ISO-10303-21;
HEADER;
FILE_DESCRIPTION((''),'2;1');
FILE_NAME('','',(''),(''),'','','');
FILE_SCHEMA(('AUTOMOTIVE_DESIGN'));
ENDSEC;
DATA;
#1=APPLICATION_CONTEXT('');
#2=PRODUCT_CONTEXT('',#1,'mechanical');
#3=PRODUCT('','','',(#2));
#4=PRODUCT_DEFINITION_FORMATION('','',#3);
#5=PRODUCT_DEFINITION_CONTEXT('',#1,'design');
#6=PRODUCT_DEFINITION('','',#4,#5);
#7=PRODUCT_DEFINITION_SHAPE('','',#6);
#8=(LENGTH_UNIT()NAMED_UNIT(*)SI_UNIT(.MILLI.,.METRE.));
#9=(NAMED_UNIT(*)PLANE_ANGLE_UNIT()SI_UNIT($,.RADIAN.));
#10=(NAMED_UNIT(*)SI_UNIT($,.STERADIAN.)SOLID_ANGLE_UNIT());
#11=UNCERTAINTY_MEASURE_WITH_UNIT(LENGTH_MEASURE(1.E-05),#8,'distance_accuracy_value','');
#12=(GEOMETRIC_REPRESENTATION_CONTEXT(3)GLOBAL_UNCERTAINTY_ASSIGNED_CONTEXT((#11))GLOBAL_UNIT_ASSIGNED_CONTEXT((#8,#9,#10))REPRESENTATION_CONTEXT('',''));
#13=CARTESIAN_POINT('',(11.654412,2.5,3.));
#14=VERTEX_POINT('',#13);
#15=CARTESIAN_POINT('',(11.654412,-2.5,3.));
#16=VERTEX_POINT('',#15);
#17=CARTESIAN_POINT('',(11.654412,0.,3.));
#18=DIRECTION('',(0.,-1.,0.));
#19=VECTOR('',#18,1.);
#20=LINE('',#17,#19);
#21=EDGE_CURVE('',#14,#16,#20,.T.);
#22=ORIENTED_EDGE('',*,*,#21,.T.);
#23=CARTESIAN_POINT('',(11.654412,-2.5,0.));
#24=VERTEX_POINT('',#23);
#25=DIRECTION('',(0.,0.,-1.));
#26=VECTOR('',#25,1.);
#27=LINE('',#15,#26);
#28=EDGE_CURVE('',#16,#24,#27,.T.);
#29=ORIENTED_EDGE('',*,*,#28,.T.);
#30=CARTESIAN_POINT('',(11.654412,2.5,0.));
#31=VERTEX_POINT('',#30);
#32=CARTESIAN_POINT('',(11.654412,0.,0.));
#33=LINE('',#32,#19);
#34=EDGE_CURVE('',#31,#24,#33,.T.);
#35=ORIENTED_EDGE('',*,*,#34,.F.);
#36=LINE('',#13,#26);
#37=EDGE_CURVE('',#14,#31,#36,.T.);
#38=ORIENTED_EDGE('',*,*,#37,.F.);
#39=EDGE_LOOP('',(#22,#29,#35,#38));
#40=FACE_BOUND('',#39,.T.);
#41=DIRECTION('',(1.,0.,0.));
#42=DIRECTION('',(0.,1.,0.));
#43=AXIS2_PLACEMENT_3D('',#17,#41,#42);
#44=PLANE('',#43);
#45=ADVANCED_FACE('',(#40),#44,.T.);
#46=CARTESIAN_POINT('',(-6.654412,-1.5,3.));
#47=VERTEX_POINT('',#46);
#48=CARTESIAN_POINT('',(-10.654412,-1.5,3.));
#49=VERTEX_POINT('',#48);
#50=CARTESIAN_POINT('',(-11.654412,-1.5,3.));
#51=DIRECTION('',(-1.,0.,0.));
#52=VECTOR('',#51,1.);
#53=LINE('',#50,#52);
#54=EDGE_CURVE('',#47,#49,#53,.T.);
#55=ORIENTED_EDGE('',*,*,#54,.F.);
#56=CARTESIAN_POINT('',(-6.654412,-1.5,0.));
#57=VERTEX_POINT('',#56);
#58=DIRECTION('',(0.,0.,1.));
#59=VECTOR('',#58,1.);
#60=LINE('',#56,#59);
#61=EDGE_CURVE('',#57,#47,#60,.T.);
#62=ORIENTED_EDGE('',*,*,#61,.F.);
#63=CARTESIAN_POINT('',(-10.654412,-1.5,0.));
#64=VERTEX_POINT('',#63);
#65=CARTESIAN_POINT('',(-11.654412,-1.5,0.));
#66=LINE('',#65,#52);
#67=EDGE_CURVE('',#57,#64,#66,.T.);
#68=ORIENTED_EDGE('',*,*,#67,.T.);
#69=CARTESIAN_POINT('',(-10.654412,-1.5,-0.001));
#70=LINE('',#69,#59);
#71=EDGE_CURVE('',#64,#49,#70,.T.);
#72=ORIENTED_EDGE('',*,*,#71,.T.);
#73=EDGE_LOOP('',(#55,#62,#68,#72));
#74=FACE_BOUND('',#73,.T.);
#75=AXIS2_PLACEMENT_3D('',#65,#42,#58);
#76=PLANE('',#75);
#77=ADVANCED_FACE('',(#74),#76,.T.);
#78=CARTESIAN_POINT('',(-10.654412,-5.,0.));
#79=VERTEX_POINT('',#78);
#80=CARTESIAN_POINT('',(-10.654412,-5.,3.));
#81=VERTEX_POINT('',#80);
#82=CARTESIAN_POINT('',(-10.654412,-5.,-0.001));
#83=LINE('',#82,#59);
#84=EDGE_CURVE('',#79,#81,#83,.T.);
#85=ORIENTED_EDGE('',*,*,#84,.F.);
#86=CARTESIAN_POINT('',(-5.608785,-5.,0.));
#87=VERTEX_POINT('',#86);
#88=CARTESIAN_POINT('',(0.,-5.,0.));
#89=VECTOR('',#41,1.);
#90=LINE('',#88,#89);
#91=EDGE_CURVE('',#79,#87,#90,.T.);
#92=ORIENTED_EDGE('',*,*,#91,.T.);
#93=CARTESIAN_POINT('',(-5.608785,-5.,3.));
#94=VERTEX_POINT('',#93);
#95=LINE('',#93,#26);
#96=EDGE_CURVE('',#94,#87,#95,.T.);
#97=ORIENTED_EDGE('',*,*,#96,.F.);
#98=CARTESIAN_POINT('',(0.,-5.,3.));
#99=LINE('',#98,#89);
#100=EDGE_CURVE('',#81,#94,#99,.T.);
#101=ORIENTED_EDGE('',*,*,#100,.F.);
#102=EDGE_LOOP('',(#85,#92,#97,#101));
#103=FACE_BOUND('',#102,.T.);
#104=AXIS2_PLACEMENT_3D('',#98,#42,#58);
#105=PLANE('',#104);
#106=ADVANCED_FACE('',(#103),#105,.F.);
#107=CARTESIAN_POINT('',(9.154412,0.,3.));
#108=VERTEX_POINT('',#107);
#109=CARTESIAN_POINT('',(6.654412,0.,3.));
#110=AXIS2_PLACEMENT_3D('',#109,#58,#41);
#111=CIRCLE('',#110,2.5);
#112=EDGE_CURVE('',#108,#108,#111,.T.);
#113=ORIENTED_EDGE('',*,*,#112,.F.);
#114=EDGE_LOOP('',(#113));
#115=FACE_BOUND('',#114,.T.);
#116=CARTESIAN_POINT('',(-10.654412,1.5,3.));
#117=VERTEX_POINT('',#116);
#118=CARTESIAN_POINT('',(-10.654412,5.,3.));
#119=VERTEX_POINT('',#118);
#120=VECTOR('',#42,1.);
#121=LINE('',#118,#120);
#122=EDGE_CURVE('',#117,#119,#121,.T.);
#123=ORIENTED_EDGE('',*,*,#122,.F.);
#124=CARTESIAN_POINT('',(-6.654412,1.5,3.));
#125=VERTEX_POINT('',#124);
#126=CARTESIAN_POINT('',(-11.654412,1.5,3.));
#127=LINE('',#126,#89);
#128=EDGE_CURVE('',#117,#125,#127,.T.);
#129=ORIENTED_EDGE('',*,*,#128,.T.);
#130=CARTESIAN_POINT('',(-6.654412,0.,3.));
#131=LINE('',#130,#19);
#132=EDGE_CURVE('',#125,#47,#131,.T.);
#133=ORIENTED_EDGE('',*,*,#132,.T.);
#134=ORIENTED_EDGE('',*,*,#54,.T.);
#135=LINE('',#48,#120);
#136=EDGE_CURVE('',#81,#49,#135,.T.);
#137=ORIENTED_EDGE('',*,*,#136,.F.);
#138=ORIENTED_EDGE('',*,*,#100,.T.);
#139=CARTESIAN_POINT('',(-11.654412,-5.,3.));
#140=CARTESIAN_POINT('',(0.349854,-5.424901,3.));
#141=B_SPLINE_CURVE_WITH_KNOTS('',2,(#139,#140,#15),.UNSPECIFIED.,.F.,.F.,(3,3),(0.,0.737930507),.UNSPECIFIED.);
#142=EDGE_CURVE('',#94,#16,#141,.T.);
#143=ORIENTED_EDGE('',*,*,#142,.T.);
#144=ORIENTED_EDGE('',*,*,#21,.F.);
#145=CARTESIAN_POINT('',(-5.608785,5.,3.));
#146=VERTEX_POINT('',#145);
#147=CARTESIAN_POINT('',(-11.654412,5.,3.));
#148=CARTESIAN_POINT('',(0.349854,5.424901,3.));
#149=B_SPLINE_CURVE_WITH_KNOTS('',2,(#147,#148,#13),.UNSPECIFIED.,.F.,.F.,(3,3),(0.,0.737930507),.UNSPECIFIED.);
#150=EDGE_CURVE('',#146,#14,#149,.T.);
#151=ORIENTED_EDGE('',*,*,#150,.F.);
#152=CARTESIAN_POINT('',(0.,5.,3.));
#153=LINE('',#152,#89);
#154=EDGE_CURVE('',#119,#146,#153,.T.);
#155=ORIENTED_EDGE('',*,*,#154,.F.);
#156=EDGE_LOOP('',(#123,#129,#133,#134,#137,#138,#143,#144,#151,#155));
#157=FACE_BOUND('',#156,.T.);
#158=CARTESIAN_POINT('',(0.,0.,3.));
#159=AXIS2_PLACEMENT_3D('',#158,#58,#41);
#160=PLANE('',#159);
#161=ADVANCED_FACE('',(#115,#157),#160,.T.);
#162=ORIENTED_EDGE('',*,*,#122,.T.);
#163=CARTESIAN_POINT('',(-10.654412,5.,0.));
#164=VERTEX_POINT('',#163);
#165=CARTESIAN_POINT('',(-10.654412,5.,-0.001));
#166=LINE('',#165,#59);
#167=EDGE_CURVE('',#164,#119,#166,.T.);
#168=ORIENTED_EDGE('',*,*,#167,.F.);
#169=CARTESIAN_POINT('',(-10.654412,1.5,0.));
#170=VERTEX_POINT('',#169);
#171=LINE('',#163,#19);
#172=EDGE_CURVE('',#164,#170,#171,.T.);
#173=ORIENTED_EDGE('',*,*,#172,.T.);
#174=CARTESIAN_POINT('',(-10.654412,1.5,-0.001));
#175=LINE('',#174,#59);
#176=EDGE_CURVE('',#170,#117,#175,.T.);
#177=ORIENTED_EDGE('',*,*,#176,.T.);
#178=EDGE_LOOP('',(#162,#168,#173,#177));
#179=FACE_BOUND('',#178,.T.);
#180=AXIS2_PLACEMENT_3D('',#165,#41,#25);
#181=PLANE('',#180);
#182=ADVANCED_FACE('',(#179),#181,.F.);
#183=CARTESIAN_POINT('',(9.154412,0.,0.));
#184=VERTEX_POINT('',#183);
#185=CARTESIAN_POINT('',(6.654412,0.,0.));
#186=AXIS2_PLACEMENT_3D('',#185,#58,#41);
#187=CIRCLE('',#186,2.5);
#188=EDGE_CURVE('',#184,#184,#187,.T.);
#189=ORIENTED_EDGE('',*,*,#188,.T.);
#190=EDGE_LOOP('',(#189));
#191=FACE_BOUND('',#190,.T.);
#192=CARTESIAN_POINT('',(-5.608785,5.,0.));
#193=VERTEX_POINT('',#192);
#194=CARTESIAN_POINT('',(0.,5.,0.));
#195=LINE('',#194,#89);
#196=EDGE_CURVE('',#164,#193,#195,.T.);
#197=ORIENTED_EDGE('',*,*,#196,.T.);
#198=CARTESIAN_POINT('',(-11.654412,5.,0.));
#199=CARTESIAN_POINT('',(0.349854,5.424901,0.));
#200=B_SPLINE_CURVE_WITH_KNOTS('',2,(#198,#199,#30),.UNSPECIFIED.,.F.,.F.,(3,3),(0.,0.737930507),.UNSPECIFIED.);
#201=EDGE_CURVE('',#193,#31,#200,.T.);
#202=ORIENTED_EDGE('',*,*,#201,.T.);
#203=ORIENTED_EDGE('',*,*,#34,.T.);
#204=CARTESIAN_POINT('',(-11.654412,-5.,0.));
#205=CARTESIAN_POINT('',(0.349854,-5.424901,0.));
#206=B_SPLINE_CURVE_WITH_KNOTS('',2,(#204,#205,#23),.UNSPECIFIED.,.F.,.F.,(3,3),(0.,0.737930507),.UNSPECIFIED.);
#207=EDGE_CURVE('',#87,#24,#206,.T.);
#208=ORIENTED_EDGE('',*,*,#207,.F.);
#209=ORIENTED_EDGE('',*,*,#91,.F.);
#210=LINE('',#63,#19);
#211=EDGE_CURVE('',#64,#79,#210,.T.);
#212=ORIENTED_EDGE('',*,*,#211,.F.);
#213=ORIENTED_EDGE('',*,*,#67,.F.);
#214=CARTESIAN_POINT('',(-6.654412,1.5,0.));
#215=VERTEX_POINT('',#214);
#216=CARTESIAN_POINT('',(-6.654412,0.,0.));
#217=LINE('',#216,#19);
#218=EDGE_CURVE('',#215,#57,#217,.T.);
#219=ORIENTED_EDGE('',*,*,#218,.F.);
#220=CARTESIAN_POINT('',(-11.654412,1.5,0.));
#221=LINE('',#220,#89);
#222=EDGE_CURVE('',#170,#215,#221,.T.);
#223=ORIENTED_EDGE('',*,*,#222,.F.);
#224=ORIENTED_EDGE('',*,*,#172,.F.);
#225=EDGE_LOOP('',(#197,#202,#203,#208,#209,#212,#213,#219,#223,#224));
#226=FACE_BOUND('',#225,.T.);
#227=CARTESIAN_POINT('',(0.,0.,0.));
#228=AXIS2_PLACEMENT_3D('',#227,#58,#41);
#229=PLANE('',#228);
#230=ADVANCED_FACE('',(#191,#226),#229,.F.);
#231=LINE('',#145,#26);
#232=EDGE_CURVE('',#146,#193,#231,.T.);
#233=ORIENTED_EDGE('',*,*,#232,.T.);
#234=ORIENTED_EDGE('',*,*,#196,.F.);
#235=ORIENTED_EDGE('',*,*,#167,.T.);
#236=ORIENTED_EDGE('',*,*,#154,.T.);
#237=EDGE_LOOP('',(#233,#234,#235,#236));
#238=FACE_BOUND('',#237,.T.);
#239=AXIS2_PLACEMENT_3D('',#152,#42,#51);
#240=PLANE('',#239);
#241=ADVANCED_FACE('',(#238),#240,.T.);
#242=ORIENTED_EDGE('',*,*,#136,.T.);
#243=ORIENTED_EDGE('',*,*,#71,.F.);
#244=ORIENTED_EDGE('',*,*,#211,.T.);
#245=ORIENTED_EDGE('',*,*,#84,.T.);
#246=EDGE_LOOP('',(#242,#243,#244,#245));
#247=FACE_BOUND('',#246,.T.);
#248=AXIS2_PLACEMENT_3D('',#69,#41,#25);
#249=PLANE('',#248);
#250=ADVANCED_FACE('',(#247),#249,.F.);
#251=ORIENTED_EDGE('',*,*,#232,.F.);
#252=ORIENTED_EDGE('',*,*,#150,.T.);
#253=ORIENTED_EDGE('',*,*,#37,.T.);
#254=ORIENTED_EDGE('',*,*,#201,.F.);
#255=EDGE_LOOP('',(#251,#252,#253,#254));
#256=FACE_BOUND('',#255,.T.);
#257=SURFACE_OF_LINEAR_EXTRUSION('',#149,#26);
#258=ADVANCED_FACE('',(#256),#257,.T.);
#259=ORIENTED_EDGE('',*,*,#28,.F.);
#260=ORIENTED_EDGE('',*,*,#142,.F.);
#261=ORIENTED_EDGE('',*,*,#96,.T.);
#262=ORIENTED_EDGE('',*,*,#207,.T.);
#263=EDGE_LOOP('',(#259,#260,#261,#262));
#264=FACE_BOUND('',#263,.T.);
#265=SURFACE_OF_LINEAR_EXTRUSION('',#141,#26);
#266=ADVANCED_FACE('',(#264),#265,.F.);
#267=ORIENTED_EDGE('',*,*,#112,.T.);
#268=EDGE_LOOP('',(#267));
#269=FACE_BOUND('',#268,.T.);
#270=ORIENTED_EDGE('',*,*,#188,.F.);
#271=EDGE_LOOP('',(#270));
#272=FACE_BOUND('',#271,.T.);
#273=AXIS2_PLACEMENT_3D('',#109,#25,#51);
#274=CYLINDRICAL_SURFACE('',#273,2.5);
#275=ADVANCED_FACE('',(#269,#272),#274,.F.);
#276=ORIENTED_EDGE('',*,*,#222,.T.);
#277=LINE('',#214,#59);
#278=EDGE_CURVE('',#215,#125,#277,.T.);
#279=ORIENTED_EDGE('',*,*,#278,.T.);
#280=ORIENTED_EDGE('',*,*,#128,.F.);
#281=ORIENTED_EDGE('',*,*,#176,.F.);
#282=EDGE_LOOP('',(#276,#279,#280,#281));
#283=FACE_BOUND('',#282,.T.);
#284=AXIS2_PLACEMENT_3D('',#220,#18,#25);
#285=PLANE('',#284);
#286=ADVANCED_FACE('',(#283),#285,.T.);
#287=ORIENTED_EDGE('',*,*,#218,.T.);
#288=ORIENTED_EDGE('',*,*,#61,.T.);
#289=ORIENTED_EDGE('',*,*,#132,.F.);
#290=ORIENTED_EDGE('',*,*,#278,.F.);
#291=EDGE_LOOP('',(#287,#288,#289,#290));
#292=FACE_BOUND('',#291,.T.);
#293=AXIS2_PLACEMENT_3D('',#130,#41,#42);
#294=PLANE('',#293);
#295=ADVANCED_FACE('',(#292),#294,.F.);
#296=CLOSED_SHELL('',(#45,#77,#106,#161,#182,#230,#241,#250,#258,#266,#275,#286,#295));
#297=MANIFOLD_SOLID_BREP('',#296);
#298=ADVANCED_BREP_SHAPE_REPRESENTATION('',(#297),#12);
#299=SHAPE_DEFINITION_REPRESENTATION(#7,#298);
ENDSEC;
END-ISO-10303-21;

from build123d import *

# Parameters (mm, degrees)
SKETCH1_R           = 2.5
BOSS_EXTRUDE1_DEPTH = 3
SKETCH2_W           = 5
SKETCH2_H           = 1
BOSS_EXTRUDE2_DEPTH = 3
CUT_EXTRUDE1_REACH  = 15.032
SKETCH3_W           = 1
SKETCH3_H           = 3.5


with BuildPart() as part:
    # Sketch1 → Boss-Extrude1 (new body)
    with BuildSketch(Plane.XY):
        with BuildLine():
            Line((-6.654411765, -2.5), (-11.654411765, -2.5))
            Line((-11.654411765, -2.5), (-11.654411765, -5))
            Line((-11.654411765, -5), (-5.608785246, -5))
            add(Edge.make_bspline(
                [(-5.608785246, -5), (3.217675956, -4.682890968), (11.654411765, -2.5)],
                knots=[0.187203543, 0.187203543, 0.187203543, 0.737930507, 0.737930507, 0.737930507], degree=2))
            Line((11.654411765, -2.5), (11.654411765, 2.5))
            add(Edge.make_bspline(
                [(-5.608785246, 5), (3.217675956, 4.682890968), (11.654411765, 2.5)],
                knots=[0.187203543, 0.187203543, 0.187203543, 0.737930507, 0.737930507, 0.737930507], degree=2))
            Line((-5.608785246, 5), (-11.654411765, 5))
            Line((-11.654411765, 5), (-11.654411765, 2.5))
            Line((-11.654411765, 2.5), (-6.654411765, 2.5))
            Line((-6.654411765, 2.5), (-6.654411765, -2.5))
        make_face()
        with Locations((6.654411765, 0)):
            Circle(SKETCH1_R, mode=Mode.SUBTRACT)
    extrude(amount=BOSS_EXTRUDE1_DEPTH)

    # Sketch2 → Boss-Extrude2 (add)
    with BuildSketch(Plane.XY.offset(3)):
        with Locations((-9.154411765, 2)):
            Rectangle(SKETCH2_W, SKETCH2_H)
        with Locations((-9.154411765, -2)):
            Rectangle(SKETCH2_W, SKETCH2_H)
    extrude(amount=-BOSS_EXTRUDE2_DEPTH)

    # Sketch3 → Cut-Extrude1 (cut, up to next)
    with BuildSketch(Plane.XY.offset(3), mode=Mode.PRIVATE) as cut_extrude1_sk1:
        with Locations((-11.154411765, 3.25)):
            Rectangle(SKETCH3_W, SKETCH3_H)
    cut_extrude1_tool1 = extrude(cut_extrude1_sk1.sketch, amount=-CUT_EXTRUDE1_REACH, mode=Mode.PRIVATE) & part.part
    # Sketch3 → Cut-Extrude1 (cut, up to next)
    with BuildSketch(Plane.XY.offset(3), mode=Mode.PRIVATE) as cut_extrude1_sk2:
        with Locations((-11.154411765, -3.25)):
            Rectangle(SKETCH3_W, SKETCH3_H)
    cut_extrude1_tool2 = extrude(cut_extrude1_sk2.sketch, amount=-CUT_EXTRUDE1_REACH, mode=Mode.PRIVATE) & part.part
    add(cut_extrude1_tool1.solids().sort_by_distance((-11.154412, 3.25, 3))[0], mode=Mode.SUBTRACT)
    add(cut_extrude1_tool2.solids().sort_by_distance((-11.154412, -3.25, 3))[0], mode=Mode.SUBTRACT)


solid = part.part
